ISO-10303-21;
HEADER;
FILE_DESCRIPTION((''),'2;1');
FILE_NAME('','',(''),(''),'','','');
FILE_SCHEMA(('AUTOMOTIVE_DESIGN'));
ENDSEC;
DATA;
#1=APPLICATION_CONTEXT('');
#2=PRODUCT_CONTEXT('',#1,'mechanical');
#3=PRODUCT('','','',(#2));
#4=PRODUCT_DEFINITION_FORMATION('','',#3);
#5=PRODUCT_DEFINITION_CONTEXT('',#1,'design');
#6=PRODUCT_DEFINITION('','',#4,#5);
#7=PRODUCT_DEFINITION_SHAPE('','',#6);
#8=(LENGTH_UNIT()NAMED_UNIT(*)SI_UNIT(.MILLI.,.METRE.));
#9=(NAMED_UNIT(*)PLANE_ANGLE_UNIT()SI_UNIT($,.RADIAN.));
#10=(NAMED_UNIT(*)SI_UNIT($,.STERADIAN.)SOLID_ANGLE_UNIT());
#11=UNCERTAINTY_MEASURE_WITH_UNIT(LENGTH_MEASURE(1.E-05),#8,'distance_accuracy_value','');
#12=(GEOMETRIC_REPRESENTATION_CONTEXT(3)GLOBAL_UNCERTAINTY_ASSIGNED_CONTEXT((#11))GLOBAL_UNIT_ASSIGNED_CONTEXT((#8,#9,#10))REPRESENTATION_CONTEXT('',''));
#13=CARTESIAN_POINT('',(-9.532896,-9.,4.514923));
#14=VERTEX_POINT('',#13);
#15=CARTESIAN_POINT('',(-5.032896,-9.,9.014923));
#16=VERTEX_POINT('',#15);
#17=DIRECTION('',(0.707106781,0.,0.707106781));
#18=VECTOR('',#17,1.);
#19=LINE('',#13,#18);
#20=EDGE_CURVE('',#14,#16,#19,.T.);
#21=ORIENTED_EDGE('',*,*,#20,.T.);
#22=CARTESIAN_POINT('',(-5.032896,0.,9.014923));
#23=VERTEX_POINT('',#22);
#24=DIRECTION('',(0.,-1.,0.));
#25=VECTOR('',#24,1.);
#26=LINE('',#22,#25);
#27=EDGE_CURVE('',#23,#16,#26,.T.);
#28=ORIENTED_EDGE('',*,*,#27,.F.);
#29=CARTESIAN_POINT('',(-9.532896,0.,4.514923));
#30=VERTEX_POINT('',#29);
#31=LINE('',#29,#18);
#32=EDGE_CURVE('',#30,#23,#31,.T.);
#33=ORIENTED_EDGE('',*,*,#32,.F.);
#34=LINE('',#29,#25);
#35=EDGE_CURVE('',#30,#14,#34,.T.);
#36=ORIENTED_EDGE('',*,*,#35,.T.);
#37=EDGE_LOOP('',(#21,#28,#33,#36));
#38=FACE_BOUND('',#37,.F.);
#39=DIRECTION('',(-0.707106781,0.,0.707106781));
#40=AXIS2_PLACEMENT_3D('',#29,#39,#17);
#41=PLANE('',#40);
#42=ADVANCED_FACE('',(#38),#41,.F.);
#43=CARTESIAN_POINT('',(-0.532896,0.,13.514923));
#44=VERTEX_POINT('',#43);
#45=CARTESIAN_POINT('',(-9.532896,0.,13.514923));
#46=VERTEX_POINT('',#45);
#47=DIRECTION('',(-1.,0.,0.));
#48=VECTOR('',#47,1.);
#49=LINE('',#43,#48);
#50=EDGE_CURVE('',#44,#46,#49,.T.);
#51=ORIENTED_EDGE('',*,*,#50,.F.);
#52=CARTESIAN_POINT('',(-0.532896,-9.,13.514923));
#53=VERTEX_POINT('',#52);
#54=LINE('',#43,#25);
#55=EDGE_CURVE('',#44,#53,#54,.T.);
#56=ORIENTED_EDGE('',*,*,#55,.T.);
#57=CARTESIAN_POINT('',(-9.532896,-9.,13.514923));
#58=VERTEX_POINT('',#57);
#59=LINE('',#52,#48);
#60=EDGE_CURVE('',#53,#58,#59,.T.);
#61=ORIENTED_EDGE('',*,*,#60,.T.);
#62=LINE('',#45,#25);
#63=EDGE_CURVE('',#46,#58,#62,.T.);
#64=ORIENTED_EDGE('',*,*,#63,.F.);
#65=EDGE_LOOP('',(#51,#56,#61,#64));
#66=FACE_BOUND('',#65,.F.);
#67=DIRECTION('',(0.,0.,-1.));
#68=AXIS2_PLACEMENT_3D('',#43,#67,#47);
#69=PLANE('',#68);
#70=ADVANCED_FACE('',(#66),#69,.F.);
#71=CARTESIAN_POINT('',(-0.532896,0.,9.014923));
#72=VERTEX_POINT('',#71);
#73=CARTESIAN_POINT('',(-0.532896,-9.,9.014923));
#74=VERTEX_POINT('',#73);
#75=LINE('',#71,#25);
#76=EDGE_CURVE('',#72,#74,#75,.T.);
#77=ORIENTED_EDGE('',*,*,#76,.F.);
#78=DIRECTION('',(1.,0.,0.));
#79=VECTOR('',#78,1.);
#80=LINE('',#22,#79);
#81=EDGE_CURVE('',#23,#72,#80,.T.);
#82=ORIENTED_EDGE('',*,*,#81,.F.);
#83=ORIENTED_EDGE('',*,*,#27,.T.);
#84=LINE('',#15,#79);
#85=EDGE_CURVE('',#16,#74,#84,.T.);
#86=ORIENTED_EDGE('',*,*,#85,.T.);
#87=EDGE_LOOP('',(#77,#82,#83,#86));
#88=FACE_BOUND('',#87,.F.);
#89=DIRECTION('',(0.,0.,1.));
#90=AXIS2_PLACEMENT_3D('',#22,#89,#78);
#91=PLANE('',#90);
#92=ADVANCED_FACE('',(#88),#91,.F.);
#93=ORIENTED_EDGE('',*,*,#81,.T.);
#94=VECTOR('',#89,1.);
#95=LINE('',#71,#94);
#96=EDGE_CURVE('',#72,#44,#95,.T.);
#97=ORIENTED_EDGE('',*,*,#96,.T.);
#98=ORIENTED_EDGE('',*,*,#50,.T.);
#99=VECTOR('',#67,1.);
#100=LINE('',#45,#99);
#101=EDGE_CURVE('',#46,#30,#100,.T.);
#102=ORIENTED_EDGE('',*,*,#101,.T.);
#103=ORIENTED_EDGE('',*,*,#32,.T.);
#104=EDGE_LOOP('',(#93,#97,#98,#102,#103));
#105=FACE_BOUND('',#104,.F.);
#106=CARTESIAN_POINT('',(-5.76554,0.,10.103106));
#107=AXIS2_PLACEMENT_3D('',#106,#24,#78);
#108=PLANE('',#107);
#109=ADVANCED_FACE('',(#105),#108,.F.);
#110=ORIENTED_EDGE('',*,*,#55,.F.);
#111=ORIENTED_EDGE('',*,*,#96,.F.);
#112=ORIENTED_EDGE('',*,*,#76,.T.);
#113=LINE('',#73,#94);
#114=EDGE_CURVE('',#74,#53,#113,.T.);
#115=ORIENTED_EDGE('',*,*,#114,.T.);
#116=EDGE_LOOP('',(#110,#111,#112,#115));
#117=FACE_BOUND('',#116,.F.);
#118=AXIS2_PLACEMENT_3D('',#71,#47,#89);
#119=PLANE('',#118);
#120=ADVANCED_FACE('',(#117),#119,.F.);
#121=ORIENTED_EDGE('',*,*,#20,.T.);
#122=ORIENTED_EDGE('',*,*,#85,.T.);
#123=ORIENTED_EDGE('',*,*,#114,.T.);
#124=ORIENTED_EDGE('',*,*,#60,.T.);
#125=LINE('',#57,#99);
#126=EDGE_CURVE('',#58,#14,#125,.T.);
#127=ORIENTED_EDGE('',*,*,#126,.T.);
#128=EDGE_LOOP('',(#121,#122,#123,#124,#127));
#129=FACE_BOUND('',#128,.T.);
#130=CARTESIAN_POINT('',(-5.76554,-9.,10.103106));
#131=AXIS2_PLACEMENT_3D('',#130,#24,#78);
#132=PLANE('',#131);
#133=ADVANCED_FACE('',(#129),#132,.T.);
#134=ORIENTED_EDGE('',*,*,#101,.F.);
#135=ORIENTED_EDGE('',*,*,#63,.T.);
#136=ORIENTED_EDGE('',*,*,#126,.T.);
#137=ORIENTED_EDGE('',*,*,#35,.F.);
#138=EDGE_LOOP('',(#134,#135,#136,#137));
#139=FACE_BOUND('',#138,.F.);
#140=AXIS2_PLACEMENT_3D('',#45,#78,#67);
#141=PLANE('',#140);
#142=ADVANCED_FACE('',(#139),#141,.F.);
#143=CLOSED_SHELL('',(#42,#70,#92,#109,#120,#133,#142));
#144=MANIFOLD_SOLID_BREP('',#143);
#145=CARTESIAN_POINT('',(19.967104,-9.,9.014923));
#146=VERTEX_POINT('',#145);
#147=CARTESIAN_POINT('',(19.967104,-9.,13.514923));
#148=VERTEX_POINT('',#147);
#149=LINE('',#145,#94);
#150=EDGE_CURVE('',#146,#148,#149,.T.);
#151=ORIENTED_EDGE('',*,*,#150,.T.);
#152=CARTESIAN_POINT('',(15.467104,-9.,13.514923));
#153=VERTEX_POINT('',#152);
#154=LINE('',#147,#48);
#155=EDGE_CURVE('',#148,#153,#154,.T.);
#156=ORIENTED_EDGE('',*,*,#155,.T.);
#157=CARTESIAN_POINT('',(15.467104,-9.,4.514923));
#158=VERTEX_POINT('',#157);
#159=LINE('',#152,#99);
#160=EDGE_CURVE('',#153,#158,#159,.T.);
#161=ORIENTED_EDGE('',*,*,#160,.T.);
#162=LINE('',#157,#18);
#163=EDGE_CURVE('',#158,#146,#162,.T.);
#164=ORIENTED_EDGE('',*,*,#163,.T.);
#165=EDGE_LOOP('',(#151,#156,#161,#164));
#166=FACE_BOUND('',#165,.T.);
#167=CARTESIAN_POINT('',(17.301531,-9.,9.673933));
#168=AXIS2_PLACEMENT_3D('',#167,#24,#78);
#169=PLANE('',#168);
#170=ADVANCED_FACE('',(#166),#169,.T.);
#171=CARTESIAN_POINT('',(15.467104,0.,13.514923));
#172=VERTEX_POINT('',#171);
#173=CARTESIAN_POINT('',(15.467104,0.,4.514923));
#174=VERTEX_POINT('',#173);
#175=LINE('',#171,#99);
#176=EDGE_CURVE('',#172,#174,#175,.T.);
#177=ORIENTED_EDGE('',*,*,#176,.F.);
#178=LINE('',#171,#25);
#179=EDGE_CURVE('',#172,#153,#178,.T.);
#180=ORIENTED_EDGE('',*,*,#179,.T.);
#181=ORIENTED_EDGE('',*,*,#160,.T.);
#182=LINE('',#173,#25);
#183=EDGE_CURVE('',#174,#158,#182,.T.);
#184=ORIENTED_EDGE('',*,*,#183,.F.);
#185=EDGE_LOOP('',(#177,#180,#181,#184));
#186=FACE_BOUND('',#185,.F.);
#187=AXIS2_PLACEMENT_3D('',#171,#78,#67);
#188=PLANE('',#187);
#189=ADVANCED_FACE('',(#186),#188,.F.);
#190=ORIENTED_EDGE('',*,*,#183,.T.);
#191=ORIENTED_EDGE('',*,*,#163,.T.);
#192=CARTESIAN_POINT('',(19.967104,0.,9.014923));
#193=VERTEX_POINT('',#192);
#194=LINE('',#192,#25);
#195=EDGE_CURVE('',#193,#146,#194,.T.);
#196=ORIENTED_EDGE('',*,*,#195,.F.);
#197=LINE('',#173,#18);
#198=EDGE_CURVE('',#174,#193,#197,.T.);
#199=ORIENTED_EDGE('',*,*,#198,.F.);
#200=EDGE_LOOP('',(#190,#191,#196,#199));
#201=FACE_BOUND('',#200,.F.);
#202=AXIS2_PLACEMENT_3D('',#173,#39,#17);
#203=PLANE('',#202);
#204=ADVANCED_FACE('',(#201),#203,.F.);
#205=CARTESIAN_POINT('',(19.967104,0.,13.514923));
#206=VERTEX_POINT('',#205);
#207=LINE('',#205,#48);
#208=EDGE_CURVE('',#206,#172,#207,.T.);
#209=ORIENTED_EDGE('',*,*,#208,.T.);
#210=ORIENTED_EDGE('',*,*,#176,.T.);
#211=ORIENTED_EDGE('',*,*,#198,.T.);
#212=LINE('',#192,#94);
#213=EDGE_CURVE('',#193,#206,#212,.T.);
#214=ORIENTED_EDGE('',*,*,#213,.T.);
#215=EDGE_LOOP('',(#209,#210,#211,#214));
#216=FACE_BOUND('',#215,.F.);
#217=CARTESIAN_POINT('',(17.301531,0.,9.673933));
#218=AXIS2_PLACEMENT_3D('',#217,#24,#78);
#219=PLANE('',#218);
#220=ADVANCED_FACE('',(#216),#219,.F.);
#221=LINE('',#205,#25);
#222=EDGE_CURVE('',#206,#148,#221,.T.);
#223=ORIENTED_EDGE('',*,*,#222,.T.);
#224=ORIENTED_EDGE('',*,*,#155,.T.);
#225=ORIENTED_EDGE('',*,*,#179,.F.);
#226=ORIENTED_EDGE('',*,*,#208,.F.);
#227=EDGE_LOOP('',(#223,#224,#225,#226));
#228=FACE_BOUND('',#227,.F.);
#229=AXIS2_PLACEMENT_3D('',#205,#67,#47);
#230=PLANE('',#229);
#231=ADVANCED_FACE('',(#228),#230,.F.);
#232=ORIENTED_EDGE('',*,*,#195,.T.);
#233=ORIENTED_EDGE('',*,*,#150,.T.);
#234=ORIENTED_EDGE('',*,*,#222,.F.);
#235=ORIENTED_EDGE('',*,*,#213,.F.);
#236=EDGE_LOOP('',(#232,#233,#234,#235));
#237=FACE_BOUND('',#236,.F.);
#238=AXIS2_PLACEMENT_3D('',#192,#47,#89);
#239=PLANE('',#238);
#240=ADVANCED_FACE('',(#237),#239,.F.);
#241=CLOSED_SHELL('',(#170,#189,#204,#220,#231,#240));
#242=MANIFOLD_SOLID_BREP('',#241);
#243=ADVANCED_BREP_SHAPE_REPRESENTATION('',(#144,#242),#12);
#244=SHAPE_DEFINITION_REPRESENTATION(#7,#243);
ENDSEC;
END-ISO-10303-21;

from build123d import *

# Parameters (mm, degrees)
F1_DEPTH = 9


with BuildPart() as f1:
    # F0 (on Front) → F1 (new body)
    with BuildSketch(Plane.XZ):
        Polygon((-0.532896, 9.014923), (-0.532896, 13.514923), (-9.532896, 13.514923), (-9.532896, 4.514923), (-5.032896, 9.014923), align=None)
        Polygon((19.967104, 13.514923), (15.467104, 13.514923), (15.467104, 4.514923), (19.967104, 9.014923), align=None)
    extrude(amount=F1_DEPTH)


solid = f1.part
